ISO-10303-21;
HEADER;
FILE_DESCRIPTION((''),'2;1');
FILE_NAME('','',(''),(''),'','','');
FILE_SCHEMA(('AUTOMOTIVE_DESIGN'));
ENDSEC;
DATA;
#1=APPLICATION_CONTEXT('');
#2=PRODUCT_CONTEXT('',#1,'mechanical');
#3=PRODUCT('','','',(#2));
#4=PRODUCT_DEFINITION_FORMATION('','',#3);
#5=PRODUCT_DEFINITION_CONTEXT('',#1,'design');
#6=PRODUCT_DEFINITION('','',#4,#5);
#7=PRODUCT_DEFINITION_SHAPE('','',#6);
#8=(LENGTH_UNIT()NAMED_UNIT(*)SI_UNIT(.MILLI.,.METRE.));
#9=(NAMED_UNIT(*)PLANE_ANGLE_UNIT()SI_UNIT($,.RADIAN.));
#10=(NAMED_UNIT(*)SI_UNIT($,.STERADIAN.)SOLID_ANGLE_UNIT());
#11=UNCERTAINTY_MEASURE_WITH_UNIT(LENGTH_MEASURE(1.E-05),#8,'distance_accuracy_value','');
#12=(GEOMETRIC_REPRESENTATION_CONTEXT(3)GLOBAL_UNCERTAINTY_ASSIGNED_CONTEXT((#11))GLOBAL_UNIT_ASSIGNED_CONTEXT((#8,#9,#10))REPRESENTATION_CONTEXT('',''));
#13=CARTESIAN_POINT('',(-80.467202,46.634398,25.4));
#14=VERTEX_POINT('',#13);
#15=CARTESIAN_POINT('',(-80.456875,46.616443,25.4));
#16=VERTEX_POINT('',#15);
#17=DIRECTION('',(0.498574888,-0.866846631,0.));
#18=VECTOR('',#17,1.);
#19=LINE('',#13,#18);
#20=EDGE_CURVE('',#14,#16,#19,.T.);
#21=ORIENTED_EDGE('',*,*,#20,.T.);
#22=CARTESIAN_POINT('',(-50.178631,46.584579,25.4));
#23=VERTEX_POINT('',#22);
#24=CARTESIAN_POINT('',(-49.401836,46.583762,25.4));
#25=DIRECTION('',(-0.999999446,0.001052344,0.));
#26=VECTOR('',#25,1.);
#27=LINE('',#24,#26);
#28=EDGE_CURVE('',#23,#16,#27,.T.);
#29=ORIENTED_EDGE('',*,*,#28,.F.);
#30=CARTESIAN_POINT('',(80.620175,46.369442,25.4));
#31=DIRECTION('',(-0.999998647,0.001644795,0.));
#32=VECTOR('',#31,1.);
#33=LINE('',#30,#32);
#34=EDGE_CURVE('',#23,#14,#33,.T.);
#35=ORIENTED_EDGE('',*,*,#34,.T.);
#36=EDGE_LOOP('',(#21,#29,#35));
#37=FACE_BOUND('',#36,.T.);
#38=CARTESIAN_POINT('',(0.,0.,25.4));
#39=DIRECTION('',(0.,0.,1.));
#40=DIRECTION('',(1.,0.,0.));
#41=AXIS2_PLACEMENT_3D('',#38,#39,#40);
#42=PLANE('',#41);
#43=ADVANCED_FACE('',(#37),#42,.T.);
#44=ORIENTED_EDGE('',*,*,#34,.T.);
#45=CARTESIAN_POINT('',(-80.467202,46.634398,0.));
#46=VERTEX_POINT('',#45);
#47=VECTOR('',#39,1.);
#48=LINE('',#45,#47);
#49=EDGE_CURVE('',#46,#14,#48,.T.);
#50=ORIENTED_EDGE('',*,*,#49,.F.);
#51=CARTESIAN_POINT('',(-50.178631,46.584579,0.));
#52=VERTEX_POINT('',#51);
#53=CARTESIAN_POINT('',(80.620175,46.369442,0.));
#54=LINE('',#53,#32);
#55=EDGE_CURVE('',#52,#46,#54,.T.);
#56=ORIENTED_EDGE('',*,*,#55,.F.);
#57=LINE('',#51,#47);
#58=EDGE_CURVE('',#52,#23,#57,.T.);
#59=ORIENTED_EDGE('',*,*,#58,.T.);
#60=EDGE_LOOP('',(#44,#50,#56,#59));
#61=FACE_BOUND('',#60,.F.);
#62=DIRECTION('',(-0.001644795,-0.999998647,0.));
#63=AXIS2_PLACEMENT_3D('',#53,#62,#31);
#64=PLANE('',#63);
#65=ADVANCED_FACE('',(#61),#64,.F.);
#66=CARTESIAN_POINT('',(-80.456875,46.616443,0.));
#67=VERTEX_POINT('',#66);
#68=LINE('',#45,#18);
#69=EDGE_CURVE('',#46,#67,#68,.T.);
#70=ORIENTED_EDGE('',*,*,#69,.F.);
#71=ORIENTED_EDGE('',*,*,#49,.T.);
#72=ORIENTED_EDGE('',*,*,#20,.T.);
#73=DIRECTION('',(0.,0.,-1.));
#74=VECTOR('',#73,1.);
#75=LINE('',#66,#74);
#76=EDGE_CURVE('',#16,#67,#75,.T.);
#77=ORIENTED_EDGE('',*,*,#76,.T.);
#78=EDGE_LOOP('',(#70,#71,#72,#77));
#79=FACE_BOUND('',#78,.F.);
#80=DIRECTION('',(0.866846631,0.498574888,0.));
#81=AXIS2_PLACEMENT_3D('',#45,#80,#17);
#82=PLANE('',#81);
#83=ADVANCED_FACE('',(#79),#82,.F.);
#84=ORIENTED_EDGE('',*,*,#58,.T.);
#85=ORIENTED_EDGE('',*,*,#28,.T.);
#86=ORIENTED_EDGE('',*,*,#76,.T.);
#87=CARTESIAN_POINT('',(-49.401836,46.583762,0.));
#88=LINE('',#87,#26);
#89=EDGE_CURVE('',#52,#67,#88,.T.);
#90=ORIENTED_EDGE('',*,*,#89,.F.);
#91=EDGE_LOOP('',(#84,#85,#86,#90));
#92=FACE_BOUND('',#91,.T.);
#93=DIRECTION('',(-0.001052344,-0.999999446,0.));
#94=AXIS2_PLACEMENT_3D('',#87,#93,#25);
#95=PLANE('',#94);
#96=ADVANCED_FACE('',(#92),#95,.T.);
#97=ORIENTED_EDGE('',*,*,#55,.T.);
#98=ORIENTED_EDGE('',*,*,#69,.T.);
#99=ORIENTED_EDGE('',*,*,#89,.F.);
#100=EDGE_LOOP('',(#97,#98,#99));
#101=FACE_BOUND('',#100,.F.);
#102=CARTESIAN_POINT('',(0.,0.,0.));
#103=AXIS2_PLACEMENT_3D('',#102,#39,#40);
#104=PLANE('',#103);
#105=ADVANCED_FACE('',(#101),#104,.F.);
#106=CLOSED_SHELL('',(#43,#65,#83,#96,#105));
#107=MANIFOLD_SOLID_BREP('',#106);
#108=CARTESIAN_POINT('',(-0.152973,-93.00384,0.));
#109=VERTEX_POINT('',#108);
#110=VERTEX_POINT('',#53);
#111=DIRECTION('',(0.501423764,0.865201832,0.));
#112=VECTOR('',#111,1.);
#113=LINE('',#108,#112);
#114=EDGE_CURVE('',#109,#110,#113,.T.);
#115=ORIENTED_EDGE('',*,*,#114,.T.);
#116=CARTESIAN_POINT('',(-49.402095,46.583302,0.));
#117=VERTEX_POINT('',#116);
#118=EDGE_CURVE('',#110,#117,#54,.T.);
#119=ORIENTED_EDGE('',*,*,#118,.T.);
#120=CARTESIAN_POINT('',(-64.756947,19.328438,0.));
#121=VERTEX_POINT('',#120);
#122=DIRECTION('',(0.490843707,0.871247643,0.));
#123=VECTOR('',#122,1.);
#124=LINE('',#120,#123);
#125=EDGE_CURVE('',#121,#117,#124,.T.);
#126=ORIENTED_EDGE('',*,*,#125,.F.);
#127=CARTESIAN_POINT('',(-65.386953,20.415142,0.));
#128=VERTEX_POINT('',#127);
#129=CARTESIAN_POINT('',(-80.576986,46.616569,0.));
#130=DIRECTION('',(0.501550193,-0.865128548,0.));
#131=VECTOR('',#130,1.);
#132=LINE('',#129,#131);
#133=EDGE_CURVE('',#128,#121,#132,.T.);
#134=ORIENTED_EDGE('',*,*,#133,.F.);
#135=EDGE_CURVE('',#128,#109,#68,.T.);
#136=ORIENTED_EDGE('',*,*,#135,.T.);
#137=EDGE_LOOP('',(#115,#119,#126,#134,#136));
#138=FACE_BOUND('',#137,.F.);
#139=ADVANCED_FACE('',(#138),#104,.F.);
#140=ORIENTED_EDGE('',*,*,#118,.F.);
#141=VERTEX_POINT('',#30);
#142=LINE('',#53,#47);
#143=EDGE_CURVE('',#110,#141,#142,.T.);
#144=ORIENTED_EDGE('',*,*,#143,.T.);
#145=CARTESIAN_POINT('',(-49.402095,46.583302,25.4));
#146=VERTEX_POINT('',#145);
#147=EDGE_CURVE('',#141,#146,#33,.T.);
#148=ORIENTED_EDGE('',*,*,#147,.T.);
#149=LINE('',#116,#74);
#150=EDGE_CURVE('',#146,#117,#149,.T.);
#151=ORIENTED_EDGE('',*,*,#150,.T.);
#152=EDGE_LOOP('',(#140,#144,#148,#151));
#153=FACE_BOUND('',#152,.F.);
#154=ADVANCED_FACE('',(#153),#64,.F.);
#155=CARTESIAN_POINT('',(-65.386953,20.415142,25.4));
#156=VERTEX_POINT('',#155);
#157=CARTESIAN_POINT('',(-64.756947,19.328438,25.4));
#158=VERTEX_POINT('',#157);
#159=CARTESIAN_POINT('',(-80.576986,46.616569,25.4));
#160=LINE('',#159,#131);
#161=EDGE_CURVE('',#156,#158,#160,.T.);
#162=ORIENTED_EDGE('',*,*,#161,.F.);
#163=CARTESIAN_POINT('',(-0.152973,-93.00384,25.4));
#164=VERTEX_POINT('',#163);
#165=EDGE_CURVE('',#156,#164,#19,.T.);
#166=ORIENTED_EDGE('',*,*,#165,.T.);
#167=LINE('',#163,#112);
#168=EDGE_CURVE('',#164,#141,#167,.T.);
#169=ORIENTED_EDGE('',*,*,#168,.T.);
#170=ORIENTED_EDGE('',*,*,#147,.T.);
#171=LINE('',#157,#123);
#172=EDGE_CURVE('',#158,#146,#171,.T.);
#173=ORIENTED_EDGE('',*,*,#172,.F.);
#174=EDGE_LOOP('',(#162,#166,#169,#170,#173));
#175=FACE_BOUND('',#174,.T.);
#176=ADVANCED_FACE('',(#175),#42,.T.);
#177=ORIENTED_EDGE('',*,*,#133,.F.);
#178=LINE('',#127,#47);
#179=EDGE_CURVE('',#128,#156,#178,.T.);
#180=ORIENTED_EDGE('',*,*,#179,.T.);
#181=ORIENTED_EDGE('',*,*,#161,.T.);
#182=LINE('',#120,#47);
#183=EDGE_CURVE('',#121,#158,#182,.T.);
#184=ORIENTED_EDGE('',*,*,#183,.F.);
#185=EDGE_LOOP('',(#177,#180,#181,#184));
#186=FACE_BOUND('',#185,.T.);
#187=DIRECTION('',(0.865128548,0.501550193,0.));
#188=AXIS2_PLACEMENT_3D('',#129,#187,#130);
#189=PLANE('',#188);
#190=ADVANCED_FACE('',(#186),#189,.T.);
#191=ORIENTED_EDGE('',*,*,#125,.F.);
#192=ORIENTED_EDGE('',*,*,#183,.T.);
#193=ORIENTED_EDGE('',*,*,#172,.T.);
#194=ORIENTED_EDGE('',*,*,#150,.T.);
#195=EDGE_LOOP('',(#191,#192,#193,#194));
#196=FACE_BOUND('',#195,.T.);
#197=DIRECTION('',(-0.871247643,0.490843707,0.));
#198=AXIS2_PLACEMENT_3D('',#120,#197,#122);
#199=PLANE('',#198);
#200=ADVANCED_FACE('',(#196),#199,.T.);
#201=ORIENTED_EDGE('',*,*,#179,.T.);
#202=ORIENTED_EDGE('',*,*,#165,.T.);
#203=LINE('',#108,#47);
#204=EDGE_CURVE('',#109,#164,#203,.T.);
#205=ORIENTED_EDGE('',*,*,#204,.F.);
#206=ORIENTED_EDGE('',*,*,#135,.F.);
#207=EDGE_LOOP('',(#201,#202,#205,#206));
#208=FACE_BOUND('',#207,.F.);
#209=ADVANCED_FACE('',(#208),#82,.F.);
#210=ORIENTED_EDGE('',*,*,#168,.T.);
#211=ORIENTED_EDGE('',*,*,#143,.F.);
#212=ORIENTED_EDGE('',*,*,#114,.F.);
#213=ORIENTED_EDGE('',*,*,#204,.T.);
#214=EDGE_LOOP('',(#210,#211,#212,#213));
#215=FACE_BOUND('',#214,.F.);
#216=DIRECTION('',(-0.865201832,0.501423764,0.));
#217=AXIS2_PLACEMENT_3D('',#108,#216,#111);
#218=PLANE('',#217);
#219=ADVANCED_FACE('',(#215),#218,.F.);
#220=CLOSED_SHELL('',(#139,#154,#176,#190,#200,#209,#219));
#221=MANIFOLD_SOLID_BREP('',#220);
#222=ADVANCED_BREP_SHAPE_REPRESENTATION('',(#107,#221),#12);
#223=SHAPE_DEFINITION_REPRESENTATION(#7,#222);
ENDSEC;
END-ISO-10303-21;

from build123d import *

# Parameters (mm, degrees)
F2_DEPTH = 25.4
F3_DEPTH = 25.4


with BuildPart() as f2:
    # F0 (on Top) → F2 (new body)
    with BuildSketch(Plane.XY):
        Polygon((-0.152973, -93.00384), (80.620175, 46.369442), (-80.467202, 46.634398), align=None)
    extrude(amount=F2_DEPTH)

    # F1 (on face) → F3 (cut)
    with BuildSketch(Plane.XY):
        Polygon((-64.756947, 19.328438), (-49.401836, 46.583762), (-80.576986, 46.616569), align=None)
    extrude(amount=F3_DEPTH, mode=Mode.SUBTRACT)


solid = f2.part
